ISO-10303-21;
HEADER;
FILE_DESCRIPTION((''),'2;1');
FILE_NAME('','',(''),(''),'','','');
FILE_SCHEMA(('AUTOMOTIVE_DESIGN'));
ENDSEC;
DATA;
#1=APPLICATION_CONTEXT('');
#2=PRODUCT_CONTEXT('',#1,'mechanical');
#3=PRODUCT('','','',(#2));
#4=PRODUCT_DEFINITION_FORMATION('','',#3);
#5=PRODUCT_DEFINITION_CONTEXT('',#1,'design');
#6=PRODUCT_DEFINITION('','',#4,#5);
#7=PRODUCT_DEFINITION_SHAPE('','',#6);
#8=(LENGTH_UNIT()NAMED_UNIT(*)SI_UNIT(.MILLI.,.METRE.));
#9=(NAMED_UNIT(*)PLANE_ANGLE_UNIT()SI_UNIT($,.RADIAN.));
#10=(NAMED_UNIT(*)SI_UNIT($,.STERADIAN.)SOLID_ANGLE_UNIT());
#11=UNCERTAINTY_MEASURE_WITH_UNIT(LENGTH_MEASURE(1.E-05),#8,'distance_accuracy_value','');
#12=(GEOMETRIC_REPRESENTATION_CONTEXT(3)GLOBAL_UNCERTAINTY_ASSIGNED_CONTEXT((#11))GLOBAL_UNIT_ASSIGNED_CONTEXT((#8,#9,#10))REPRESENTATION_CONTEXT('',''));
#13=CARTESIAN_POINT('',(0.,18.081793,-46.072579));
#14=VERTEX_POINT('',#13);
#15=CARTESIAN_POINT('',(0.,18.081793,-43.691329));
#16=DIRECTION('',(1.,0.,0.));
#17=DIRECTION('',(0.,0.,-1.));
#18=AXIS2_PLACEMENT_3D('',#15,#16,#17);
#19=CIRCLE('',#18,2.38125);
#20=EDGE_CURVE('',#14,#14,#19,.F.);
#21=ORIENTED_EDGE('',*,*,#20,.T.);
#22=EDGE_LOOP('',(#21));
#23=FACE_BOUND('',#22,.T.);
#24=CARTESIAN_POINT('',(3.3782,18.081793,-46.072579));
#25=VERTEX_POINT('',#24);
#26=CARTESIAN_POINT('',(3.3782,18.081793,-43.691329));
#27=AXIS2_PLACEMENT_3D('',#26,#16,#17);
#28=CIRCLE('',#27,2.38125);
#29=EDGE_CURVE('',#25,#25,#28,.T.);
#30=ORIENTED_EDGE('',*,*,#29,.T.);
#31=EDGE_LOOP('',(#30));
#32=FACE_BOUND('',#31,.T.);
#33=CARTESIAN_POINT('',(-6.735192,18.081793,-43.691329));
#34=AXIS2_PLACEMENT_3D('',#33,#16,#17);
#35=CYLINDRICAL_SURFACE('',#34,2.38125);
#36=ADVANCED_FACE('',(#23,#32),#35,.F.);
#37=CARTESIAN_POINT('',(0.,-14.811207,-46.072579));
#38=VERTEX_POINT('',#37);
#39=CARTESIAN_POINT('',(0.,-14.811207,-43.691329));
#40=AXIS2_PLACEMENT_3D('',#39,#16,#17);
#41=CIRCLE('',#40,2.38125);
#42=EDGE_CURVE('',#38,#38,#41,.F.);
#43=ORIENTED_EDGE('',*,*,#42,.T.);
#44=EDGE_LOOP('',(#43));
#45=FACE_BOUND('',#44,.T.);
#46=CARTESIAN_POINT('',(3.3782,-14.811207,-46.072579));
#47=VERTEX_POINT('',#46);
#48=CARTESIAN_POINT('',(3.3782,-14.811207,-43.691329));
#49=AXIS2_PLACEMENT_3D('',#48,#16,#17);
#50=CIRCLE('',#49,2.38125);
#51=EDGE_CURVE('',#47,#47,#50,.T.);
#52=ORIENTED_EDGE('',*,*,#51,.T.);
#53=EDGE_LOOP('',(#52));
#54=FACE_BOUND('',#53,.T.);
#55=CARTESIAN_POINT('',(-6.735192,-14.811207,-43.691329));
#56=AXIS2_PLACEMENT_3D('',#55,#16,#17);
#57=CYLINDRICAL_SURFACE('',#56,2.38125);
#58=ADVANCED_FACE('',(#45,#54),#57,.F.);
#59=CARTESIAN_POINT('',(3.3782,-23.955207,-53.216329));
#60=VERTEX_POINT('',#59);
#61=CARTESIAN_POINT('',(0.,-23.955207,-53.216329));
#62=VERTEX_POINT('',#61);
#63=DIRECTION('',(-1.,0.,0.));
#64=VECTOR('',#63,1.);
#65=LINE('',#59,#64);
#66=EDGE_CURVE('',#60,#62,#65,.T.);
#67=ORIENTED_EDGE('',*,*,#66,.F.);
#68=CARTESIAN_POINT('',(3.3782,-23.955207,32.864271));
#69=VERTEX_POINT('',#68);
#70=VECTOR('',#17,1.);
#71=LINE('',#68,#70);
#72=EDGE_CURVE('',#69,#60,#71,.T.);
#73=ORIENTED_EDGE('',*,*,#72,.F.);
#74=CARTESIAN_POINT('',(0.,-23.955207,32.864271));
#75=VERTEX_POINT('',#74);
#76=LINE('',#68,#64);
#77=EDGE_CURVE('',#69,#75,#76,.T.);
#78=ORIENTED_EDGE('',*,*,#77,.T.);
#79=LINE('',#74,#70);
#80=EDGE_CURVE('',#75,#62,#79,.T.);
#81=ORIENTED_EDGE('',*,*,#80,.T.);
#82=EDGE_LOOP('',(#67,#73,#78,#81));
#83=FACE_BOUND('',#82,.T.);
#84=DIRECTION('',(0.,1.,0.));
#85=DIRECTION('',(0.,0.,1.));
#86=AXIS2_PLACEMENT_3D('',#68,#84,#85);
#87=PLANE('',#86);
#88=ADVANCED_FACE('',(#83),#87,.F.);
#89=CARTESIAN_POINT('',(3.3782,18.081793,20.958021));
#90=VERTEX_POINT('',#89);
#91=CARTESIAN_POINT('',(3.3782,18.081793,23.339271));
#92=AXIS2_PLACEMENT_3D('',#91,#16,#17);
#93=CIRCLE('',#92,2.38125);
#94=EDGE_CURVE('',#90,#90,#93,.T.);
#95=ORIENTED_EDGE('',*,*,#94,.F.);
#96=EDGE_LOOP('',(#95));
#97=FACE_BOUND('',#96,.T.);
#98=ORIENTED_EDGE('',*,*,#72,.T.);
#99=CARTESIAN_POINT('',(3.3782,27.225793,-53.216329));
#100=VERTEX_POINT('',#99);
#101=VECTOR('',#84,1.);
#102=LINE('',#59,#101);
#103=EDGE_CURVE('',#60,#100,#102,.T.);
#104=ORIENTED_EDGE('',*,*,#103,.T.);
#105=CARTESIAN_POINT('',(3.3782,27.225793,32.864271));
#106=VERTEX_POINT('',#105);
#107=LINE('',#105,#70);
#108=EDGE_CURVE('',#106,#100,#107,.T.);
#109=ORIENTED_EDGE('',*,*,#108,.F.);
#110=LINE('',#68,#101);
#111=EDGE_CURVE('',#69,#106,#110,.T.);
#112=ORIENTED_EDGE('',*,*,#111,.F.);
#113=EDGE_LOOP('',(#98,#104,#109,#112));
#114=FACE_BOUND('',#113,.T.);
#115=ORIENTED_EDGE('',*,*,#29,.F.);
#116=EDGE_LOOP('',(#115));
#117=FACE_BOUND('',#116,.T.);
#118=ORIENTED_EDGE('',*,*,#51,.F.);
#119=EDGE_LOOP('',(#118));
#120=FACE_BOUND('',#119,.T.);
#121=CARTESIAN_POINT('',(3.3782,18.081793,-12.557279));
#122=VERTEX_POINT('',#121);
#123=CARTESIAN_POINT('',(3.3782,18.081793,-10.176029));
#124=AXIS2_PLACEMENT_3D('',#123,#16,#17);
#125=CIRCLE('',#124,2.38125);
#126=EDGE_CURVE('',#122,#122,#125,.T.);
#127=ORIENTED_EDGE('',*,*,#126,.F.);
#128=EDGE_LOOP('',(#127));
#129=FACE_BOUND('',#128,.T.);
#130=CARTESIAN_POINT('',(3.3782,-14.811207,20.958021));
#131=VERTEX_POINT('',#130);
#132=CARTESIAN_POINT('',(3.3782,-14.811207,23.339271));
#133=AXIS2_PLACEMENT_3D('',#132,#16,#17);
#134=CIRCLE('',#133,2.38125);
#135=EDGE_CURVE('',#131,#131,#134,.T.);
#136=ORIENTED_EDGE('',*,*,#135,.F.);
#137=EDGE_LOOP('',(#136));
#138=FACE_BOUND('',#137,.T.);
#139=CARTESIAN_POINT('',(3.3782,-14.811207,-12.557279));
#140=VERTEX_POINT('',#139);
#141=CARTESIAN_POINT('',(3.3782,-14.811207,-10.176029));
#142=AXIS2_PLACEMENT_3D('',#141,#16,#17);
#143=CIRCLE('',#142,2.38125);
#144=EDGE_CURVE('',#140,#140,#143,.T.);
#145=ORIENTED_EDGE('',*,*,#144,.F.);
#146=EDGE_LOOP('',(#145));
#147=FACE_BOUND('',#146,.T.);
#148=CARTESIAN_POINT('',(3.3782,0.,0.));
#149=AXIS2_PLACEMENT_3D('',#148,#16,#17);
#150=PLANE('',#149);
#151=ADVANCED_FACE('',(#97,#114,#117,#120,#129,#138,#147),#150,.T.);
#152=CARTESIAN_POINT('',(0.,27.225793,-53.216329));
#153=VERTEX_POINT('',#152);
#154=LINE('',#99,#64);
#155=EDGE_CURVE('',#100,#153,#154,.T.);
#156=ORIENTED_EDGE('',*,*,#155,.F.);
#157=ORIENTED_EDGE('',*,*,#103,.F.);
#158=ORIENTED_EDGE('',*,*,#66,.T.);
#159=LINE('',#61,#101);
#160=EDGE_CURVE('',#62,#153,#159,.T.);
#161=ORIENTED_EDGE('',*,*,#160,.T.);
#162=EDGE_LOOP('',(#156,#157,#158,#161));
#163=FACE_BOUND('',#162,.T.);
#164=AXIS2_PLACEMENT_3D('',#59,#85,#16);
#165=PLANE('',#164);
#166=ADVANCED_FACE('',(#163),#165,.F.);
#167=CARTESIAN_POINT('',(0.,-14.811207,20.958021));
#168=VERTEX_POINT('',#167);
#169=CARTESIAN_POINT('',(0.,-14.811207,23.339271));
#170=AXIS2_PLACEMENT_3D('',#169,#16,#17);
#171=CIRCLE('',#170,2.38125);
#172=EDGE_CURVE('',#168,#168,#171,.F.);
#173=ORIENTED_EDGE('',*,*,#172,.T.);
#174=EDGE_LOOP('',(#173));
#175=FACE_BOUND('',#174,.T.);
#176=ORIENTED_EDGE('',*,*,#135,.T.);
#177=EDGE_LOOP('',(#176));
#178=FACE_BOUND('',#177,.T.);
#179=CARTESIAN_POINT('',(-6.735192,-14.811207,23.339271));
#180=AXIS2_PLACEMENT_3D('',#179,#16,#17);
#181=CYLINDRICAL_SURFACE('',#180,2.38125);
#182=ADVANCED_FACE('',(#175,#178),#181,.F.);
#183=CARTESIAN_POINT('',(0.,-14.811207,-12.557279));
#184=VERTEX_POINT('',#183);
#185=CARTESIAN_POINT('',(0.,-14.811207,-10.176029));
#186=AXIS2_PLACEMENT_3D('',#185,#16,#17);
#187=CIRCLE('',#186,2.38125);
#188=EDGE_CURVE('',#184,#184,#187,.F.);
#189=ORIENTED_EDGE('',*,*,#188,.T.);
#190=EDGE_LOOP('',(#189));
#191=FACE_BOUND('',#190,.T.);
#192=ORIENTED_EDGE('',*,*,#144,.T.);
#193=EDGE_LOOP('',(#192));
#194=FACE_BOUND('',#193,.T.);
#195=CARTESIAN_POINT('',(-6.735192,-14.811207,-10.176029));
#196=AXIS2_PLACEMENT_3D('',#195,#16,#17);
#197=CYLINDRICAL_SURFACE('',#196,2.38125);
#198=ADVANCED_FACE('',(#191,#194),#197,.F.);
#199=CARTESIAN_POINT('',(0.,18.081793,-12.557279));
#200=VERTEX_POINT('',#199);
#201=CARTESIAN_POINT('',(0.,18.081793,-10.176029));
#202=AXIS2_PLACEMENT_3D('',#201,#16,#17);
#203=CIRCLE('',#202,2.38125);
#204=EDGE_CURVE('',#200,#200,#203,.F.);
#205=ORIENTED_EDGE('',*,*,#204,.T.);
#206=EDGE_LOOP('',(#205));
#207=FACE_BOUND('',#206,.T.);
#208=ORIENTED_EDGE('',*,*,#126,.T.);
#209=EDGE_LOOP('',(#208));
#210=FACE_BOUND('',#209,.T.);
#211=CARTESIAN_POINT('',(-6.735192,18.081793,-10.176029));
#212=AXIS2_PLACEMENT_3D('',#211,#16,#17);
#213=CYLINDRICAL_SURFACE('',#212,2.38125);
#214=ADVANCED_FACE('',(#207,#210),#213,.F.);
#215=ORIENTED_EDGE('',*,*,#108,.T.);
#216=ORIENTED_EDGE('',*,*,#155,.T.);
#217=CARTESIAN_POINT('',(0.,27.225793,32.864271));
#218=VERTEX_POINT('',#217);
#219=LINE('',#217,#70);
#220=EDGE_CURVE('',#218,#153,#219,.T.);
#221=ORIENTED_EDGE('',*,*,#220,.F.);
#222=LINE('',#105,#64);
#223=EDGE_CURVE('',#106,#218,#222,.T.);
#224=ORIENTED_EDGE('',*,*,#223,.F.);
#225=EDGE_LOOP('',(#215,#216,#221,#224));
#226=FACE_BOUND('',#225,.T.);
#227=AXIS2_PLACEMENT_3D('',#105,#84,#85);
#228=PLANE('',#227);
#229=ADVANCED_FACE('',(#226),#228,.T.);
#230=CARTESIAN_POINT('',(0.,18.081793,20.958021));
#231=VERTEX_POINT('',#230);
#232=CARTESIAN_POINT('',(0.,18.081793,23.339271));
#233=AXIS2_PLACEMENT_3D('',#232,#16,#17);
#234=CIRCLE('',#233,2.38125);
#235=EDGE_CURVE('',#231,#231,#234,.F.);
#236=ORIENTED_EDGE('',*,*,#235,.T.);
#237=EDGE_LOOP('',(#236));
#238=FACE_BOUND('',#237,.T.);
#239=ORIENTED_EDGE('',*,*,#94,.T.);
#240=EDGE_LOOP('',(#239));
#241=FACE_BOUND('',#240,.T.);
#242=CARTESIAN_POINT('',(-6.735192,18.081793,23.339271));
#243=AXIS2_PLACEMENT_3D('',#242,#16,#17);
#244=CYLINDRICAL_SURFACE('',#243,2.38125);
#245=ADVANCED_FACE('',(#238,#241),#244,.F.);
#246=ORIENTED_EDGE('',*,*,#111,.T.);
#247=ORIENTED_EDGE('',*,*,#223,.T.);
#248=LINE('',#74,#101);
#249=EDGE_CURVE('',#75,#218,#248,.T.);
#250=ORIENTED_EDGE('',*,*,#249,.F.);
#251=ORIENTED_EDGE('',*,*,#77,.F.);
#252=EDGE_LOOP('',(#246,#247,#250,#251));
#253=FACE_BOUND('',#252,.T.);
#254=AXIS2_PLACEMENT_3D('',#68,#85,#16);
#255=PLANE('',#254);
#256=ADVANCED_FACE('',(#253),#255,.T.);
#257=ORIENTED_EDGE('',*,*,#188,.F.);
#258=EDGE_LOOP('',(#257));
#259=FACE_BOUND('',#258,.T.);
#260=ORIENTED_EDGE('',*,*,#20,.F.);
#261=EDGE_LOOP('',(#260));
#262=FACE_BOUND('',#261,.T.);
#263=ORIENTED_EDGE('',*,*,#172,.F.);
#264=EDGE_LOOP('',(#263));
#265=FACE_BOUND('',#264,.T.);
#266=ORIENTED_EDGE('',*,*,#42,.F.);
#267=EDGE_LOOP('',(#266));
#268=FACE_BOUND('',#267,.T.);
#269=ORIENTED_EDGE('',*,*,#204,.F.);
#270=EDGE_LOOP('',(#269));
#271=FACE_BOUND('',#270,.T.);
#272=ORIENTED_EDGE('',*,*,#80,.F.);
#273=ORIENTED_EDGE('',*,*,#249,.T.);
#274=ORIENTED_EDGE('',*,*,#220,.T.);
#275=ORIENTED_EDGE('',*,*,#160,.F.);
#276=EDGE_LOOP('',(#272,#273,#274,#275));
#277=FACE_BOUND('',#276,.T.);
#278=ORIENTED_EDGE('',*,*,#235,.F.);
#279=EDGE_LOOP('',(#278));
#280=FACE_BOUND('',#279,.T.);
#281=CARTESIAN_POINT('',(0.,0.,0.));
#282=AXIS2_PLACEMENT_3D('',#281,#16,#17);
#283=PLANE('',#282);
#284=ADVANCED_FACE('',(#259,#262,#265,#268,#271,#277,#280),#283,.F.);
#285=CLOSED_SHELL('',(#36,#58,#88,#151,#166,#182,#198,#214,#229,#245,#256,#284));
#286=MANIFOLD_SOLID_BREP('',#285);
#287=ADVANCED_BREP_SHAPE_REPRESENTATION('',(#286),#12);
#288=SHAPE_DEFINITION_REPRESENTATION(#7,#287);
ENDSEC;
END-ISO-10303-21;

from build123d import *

# Parameters (mm, degrees)
SKETCH1_W           = 86.0806
SKETCH1_H           = 51.181
BOSS_EXTRUDE1_DEPTH = 3.3782
SKETCH3_R           = 2.38125
CUT_EXTRUDE1_DEPTH  = 3.3782


with BuildPart() as part:
    # Sketch1 → Boss-Extrude1 (new body)
    with BuildSketch(Plane(origin=(0, 0, 0), x_dir=(0, 0, -1), z_dir=(1, 0, 0))):
        with Locations((10.176029387, 1.635292812)):
            Rectangle(SKETCH1_W, SKETCH1_H)
    extrude(amount=BOSS_EXTRUDE1_DEPTH)

    # Sketch3 → Cut-Extrude1 (cut)
    with BuildSketch(Plane(origin=(3.3782, 0, 0), x_dir=(0, 0, -1), z_dir=(1, 0, 0))):
        with Locations((-23.339270613, 18.081792812)):
            Circle(SKETCH3_R)
        with Locations((43.691329387, 18.081792812)):
            Circle(SKETCH3_R)
        with Locations((43.691329387, -14.811207188)):
            Circle(SKETCH3_R)
        with Locations((-23.339270613, -14.811207188)):
            Circle(SKETCH3_R)
        with Locations((10.176029387, 18.081792812)):
            Circle(SKETCH3_R)
        with Locations((10.176029387, -14.811207188)):
            Circle(SKETCH3_R)
    extrude(amount=-CUT_EXTRUDE1_DEPTH, mode=Mode.SUBTRACT)


solid = part.part
